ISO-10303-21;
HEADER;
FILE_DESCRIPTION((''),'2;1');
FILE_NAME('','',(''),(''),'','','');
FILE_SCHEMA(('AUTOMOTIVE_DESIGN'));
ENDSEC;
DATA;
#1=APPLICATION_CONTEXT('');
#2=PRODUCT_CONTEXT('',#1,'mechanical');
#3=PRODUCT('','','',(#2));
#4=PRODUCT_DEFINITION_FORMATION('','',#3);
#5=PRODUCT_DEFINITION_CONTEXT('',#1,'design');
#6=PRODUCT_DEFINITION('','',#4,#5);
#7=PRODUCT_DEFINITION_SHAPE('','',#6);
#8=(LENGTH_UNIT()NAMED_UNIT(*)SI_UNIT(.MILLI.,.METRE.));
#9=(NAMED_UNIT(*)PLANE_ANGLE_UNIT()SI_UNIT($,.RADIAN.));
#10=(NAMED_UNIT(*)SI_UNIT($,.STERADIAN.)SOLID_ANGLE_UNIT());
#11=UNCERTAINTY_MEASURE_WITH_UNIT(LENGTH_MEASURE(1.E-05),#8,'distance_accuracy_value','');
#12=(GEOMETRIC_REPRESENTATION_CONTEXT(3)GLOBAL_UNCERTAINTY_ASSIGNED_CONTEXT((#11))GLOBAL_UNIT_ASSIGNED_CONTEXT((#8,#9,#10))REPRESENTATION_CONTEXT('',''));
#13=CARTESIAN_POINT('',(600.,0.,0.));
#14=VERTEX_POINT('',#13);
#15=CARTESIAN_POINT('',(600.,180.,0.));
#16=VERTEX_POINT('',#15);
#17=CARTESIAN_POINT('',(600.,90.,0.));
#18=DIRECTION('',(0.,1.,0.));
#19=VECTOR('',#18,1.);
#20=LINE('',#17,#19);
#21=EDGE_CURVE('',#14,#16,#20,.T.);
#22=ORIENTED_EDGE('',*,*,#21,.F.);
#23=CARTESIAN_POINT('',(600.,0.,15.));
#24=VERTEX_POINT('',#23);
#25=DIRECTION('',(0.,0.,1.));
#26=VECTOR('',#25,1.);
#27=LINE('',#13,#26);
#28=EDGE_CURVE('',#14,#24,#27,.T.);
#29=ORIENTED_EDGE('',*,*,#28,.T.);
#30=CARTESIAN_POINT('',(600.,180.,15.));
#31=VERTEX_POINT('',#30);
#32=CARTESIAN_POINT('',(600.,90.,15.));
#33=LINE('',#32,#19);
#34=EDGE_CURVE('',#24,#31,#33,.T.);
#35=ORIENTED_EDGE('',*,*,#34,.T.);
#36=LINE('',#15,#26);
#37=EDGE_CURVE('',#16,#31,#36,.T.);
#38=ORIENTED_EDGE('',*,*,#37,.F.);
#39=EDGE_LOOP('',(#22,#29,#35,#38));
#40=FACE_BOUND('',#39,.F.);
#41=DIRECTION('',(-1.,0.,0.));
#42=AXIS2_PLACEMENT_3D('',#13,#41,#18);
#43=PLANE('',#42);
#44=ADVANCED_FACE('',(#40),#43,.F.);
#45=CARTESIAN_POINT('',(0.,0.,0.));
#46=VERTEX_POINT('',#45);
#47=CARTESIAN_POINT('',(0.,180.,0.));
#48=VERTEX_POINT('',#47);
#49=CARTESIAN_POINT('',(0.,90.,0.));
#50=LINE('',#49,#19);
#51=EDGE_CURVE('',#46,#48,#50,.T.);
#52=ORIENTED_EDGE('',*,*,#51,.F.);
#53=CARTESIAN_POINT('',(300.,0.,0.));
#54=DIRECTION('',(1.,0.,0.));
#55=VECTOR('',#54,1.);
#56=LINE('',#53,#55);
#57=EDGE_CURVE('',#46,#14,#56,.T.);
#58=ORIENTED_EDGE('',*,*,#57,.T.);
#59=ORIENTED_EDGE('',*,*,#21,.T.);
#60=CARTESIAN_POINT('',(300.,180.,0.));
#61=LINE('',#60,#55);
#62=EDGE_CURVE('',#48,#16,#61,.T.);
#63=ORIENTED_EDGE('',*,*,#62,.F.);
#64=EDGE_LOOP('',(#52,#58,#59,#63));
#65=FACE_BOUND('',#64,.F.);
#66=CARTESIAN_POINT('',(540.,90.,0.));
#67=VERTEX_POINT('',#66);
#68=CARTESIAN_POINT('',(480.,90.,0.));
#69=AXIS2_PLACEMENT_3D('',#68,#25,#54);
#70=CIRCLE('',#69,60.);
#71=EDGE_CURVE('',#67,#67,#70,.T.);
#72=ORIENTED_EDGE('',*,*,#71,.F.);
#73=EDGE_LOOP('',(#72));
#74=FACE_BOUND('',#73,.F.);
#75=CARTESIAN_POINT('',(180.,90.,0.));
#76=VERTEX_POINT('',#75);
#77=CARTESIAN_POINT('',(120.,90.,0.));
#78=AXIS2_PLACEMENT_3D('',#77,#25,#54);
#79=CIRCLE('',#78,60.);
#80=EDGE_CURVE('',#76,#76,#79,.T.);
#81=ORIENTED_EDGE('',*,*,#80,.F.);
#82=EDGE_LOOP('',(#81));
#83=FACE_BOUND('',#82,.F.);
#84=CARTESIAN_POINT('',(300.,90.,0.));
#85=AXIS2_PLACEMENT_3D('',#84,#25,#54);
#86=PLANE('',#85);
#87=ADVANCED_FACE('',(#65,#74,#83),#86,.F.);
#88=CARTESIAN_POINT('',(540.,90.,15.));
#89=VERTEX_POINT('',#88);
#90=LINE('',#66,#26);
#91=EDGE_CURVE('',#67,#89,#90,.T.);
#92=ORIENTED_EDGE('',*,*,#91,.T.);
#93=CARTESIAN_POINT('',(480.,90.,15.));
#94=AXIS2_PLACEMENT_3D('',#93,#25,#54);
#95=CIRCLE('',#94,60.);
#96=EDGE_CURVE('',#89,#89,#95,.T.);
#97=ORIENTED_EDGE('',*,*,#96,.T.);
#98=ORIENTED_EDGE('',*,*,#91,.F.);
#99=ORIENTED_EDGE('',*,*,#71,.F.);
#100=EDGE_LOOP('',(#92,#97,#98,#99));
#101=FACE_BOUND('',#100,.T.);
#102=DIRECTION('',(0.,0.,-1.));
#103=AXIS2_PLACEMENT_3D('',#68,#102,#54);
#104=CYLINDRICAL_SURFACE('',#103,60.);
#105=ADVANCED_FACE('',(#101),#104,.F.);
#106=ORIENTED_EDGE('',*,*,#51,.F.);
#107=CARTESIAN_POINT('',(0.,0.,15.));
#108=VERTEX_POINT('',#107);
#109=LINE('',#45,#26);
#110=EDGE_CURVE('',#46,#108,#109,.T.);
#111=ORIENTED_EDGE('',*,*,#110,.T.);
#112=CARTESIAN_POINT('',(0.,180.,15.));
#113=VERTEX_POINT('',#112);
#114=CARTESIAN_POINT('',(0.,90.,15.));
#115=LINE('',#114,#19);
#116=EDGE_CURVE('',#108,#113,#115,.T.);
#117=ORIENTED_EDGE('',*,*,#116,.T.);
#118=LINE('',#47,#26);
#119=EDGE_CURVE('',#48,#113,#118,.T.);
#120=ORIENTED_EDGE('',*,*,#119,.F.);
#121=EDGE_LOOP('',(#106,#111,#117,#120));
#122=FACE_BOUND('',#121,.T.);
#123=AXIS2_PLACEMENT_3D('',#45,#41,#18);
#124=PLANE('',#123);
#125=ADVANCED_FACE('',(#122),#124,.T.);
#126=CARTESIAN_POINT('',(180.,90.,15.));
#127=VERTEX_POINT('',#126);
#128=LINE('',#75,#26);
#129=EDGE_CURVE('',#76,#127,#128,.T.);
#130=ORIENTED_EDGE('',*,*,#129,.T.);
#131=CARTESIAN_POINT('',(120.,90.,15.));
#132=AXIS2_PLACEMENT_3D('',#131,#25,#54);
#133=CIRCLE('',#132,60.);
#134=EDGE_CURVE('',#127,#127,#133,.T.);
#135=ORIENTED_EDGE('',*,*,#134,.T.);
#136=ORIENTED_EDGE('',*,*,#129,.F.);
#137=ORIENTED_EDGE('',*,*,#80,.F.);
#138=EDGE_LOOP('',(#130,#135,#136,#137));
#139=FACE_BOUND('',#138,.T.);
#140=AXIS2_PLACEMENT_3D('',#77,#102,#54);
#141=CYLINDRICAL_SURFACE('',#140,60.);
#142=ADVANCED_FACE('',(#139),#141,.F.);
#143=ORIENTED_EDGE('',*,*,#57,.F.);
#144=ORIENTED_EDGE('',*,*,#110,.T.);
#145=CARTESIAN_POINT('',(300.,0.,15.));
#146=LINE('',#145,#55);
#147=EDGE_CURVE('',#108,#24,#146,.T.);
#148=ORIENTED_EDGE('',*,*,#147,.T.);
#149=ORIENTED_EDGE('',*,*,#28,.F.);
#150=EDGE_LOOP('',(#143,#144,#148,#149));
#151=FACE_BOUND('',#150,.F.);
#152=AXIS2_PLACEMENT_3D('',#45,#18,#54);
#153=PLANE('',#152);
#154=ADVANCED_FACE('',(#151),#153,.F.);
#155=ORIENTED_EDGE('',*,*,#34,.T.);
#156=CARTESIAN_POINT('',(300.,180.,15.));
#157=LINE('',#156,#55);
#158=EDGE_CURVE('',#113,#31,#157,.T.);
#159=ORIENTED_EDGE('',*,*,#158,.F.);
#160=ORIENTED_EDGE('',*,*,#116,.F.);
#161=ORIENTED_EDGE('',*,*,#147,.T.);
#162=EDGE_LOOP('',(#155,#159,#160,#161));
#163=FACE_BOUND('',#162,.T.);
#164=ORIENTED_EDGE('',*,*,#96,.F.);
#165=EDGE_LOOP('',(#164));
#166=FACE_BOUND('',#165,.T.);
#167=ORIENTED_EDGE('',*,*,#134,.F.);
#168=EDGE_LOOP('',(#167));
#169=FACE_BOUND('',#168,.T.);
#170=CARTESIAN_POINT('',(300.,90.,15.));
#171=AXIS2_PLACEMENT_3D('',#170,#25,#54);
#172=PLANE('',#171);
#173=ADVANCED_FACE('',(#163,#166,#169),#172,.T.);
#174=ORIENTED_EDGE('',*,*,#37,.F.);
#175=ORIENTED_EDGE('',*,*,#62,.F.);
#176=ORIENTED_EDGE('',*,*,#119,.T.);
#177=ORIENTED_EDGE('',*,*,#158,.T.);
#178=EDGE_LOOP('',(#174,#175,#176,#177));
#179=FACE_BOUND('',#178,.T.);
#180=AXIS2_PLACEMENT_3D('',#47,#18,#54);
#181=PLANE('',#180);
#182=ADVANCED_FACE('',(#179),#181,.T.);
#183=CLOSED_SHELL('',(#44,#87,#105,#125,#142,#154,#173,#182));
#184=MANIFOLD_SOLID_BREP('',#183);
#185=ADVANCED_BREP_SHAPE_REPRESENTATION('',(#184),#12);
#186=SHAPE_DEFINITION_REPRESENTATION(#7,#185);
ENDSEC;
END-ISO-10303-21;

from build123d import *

# Parameters (mm, degrees)
SKETCH_W  = 600
SKETCH_H  = 180
SKETCH_R  = 60
PAD_DEPTH = 15


with BuildPart() as part:
    # Sketch → Pad (new body)
    with BuildSketch(Plane.XY):
        with Locations((300, 90)):
            Rectangle(SKETCH_W, SKETCH_H)
        with Locations((120, 90)):
            Circle(SKETCH_R, mode=Mode.SUBTRACT)
        with Locations((480, 90)):
            Circle(SKETCH_R, mode=Mode.SUBTRACT)
    extrude(amount=PAD_DEPTH)


solid = part.part
